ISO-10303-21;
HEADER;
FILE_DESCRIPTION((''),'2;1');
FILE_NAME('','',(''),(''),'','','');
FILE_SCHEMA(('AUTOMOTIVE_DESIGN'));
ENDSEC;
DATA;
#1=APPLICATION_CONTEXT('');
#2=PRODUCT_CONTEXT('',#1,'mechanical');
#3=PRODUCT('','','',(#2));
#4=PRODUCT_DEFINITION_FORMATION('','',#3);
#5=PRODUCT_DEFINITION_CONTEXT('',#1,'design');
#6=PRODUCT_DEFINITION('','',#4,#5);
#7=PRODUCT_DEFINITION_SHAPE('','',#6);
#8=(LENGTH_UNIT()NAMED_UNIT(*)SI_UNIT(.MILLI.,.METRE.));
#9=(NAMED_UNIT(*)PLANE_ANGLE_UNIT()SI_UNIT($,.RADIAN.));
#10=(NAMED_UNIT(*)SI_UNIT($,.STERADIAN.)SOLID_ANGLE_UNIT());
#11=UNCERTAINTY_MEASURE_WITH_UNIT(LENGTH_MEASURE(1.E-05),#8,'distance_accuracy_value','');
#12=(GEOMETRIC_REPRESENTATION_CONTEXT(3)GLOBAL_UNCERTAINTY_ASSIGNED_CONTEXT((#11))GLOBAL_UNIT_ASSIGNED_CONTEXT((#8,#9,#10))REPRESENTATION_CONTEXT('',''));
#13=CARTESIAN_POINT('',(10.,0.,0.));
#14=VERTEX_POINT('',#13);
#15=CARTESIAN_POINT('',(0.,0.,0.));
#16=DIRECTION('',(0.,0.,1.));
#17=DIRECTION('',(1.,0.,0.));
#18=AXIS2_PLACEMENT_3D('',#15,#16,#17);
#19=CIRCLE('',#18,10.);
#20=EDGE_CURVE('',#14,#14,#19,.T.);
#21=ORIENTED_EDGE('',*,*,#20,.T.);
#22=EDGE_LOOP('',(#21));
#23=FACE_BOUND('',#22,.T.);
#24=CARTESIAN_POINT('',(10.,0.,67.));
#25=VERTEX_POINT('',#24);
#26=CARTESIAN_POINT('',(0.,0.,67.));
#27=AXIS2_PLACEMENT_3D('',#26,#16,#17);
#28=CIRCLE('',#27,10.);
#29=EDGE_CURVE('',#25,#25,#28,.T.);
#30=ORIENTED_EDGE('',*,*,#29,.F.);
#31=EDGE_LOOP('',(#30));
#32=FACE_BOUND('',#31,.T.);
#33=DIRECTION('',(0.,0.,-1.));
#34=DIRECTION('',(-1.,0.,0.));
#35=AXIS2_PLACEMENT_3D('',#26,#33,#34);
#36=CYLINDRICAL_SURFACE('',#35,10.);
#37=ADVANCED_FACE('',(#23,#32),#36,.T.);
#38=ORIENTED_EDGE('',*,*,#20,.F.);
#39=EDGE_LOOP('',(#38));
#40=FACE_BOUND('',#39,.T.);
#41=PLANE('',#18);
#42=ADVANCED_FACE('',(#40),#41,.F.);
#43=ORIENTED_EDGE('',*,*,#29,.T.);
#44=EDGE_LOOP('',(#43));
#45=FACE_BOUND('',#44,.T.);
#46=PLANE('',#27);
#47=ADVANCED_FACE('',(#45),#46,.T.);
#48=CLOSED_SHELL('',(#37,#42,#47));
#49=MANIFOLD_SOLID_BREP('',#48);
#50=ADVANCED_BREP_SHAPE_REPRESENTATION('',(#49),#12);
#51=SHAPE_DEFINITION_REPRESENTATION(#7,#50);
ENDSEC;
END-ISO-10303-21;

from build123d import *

# Parameters (mm, degrees)
ESQUISSE1_R        = 10
BOSS_EXTRU_1_DEPTH = 67


with BuildPart() as part:
    # Esquisse1 → Boss.-Extru.1 (new body)
    with BuildSketch(Plane.XY):
        Circle(ESQUISSE1_R)
    extrude(amount=BOSS_EXTRU_1_DEPTH)


solid = part.part
